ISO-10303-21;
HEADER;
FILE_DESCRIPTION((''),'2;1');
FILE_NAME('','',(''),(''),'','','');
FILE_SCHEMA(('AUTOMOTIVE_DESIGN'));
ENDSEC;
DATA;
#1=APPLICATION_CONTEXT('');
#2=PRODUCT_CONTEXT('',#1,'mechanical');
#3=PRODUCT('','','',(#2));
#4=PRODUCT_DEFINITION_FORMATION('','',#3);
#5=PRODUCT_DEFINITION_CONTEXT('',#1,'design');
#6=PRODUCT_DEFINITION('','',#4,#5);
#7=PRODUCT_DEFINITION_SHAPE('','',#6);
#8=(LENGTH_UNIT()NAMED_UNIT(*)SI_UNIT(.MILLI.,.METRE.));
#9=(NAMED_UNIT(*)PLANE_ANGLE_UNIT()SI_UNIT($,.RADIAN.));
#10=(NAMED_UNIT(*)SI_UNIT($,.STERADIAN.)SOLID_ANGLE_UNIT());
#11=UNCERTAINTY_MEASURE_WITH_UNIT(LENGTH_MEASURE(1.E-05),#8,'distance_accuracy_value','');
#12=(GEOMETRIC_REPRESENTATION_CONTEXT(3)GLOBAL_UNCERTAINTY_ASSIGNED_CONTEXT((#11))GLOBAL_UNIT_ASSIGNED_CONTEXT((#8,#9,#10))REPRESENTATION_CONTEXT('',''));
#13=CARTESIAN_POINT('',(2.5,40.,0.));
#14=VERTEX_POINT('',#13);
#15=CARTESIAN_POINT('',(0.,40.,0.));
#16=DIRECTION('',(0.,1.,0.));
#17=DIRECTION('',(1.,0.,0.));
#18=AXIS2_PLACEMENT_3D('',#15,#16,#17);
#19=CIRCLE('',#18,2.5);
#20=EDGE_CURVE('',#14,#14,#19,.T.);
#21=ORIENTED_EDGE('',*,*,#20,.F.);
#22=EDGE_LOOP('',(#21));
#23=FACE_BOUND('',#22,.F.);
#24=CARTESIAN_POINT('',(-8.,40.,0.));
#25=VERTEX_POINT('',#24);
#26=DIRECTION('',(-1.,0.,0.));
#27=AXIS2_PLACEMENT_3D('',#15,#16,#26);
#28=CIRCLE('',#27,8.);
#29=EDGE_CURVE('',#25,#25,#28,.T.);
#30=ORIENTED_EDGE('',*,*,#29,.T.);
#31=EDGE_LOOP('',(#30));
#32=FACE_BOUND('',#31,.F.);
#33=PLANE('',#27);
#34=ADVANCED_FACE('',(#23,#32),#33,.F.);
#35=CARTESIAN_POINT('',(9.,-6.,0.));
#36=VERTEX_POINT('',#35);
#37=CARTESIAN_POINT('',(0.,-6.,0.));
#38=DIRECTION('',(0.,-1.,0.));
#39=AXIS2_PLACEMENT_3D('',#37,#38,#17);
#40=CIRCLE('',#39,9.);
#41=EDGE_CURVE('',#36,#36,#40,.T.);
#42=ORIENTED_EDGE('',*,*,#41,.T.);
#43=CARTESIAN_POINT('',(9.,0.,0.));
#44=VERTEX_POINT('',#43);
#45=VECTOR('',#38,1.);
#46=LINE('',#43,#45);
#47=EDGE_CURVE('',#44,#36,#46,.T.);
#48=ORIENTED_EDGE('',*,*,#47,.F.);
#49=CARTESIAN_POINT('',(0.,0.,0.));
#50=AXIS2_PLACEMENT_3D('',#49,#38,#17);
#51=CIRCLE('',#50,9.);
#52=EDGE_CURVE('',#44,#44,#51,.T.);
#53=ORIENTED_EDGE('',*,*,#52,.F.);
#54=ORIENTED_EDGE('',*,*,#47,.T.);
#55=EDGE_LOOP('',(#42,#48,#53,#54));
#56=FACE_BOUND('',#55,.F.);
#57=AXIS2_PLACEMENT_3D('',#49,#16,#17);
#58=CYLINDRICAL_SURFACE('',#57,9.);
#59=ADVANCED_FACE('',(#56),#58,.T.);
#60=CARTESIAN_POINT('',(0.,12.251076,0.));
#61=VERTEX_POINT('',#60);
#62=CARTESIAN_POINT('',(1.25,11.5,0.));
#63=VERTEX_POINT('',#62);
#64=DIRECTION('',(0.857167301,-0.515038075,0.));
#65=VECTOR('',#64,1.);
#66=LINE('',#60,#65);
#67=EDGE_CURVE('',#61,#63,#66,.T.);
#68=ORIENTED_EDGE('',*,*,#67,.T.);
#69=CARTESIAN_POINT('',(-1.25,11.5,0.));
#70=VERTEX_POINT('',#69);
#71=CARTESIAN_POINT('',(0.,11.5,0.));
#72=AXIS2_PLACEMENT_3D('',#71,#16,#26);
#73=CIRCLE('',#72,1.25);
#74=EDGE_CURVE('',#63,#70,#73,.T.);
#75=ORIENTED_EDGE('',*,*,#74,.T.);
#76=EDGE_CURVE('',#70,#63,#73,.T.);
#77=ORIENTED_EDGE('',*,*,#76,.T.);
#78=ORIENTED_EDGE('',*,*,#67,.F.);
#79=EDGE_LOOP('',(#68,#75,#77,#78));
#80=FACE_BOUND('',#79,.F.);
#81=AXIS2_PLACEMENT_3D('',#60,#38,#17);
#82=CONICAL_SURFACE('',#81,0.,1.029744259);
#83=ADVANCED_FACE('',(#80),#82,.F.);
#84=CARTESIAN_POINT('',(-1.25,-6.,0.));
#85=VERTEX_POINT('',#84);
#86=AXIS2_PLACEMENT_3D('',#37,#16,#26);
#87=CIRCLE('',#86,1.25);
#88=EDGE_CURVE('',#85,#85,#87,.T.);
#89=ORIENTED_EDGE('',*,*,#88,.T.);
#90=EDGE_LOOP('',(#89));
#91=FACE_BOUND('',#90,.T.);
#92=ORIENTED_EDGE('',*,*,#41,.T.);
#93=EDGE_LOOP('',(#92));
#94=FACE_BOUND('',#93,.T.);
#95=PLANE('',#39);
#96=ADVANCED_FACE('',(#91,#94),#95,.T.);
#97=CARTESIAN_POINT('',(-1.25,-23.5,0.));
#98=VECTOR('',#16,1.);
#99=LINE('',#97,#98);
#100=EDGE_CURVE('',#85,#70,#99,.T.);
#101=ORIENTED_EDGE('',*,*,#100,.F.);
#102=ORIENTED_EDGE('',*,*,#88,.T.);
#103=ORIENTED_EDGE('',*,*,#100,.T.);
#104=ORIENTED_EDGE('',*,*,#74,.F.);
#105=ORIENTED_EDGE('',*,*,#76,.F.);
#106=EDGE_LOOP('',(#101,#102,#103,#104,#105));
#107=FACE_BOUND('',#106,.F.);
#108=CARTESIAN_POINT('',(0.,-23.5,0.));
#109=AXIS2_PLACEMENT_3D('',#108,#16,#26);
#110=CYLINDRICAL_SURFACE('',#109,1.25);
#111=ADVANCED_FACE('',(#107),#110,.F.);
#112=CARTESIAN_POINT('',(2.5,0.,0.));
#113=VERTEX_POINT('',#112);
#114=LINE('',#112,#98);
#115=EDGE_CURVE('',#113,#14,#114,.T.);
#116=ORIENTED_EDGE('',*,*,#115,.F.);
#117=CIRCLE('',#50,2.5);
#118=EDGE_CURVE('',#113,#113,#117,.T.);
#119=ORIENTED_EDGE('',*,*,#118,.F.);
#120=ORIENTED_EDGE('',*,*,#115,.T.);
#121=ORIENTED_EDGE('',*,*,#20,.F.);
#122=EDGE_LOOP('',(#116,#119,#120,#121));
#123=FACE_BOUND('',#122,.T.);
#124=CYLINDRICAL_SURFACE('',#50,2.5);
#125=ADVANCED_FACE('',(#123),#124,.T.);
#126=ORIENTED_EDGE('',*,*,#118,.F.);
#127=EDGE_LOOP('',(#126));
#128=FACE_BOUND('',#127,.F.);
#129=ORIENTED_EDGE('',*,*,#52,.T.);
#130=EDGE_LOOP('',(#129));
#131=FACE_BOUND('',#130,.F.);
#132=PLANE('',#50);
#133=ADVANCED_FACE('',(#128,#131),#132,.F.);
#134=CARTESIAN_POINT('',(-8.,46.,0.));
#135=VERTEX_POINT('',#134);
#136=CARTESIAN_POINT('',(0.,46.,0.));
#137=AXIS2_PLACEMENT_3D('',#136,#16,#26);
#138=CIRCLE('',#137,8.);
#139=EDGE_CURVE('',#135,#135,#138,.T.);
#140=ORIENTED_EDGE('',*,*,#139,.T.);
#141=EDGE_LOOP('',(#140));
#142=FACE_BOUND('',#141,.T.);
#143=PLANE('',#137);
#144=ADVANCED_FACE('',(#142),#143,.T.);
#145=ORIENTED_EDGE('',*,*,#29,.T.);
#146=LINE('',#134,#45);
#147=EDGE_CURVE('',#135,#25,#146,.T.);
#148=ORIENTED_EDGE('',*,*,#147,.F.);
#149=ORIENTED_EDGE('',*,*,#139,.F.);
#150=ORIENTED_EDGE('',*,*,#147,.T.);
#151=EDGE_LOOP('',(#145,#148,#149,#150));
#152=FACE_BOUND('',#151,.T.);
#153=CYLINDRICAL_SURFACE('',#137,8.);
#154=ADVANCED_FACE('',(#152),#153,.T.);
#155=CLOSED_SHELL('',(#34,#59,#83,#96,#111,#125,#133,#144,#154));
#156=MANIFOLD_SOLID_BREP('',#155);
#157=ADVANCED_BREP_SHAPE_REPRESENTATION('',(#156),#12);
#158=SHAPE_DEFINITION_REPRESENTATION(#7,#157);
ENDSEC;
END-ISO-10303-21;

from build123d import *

# Parameters (mm, degrees)
F0_R     = 9
F1_DEPTH = 6
F2_R     = 2.5
F3_DEPTH = 46
F4_R     = 8
F4_R_2   = 2.5
F5_DEPTH = 6
F7_D     = 2.5
F7_DEPTH = 17.5
F7_TIP   = 0.7510757738


with BuildPart() as f1:
    # F0 (on Front) → F1 (new body)
    with BuildSketch(Plane.XZ):
        Circle(F0_R)
    extrude(amount=F1_DEPTH)

    # F2 (on Front) → F3 (join)
    with BuildSketch(Plane.XZ):
        Circle(F2_R)
    extrude(amount=-F3_DEPTH)

    # F4 (on face) → F5 (join)
    with BuildSketch(Plane(origin=(0, 46, 0), x_dir=(-1, 0, 0), z_dir=(0, 1, 0))):
        Circle(F4_R)
        Circle(F4_R_2, mode=Mode.SUBTRACT)
    extrude(amount=-F5_DEPTH)

    # F7
    with Locations(Plane.XZ.offset(6)):
        with Locations((0, 0)):
            Hole(F7_D / 2, depth=F7_DEPTH)
            with Locations((0, 0, -(F7_DEPTH + F7_TIP / 2))):  # 118° drill point
                Cone(0, F7_D / 2, F7_TIP, mode=Mode.SUBTRACT)


solid = f1.part
